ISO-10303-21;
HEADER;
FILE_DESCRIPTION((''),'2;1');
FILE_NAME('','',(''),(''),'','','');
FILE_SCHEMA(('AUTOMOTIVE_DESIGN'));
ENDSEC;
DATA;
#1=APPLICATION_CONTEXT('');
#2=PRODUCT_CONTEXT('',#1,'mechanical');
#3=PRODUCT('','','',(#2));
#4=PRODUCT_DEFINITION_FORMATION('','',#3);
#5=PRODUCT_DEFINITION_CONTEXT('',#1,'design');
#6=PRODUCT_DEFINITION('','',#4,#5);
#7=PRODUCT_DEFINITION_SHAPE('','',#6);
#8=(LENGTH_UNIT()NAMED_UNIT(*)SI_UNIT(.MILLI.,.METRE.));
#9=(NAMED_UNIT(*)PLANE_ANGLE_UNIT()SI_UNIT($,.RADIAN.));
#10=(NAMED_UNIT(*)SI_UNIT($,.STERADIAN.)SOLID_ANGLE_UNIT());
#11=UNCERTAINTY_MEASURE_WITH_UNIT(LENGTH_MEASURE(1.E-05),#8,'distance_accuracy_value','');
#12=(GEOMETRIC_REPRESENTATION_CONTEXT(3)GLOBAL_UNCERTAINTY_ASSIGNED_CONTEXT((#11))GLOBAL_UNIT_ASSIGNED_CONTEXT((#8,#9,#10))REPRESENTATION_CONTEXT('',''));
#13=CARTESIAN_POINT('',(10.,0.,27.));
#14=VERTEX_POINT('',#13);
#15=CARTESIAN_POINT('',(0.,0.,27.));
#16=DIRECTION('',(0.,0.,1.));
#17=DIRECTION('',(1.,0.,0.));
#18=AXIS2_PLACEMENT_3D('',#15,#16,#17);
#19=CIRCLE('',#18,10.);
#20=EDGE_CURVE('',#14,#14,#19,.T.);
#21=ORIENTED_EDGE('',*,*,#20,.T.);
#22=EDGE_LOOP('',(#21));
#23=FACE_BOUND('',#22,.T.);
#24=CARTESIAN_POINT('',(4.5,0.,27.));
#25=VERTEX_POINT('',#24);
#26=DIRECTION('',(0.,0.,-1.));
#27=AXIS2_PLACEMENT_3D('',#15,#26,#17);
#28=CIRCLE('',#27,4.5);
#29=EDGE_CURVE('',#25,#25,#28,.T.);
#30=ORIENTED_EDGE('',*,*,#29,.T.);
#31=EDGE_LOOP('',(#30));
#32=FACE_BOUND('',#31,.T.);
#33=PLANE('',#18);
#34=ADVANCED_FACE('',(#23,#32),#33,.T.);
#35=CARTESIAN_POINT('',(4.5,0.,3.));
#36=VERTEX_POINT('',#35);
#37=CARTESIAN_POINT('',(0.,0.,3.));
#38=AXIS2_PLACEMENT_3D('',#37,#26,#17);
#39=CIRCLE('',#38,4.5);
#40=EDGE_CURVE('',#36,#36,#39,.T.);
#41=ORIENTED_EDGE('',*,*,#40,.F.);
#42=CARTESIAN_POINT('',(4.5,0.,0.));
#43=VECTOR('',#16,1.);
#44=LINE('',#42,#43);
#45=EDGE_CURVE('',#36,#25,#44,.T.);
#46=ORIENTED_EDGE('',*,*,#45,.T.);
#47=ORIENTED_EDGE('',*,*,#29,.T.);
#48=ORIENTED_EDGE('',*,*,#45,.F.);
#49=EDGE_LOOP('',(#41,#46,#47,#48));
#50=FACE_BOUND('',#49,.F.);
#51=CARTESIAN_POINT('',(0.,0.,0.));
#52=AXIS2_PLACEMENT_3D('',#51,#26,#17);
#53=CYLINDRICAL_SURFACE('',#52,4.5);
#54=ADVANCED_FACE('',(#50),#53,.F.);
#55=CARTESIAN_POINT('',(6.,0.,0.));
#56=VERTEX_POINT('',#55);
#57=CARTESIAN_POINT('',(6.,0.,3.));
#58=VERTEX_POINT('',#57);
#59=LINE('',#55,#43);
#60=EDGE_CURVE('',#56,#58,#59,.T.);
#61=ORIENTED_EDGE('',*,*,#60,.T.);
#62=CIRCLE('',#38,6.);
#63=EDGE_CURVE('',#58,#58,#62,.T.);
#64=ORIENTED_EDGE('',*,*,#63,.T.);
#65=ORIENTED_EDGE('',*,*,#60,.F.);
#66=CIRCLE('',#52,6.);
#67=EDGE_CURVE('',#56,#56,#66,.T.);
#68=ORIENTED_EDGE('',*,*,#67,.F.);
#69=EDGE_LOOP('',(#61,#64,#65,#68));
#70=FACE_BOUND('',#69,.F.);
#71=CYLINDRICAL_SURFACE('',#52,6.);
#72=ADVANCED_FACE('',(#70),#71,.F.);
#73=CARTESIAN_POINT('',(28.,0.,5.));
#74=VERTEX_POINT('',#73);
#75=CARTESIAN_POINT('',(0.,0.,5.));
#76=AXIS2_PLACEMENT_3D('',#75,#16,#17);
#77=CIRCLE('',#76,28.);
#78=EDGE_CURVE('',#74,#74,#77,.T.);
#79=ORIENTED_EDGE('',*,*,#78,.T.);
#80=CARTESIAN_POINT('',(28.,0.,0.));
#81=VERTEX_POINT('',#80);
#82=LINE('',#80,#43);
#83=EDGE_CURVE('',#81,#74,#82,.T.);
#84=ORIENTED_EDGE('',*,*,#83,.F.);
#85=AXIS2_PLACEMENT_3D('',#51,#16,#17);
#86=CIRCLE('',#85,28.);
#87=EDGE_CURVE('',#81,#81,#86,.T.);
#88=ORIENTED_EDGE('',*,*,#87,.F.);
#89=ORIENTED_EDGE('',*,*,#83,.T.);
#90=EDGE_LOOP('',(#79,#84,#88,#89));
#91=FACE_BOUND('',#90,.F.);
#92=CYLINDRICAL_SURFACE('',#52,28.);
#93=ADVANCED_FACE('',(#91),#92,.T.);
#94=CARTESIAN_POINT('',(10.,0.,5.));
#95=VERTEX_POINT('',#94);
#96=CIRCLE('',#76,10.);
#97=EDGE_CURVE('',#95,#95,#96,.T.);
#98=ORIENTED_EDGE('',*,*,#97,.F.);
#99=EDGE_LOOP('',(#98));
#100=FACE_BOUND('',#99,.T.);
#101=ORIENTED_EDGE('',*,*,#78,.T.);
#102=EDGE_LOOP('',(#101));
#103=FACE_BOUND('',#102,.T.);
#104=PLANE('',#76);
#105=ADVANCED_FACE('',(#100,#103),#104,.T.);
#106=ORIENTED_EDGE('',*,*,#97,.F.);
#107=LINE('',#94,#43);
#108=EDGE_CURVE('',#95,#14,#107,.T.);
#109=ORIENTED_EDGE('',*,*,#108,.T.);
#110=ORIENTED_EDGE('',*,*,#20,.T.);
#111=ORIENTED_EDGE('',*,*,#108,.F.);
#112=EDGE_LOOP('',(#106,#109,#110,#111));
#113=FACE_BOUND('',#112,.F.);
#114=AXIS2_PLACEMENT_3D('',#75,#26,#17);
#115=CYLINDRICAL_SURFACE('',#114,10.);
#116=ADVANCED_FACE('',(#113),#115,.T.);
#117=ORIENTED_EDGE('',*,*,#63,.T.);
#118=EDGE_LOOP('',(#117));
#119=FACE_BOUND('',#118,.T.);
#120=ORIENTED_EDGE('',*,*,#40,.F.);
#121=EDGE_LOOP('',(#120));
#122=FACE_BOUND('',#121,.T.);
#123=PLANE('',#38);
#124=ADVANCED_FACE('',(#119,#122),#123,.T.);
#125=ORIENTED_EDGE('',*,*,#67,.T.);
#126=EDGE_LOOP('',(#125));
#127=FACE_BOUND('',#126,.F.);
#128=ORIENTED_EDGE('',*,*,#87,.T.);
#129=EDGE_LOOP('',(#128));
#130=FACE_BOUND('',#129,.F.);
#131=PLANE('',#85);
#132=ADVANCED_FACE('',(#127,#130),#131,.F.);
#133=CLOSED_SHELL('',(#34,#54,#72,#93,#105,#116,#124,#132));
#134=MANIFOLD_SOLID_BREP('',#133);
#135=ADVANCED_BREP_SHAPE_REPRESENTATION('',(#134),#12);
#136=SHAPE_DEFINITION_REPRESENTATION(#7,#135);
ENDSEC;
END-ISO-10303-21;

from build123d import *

# Parameters (mm, degrees)
F0_R     = 28
F1_DEPTH = 5
F2_R     = 10
F3_DEPTH = 22
F4_R     = 6
F5_DEPTH = 3
F6_R     = 4.5
F7_DEPTH = 27


with BuildPart() as f1:
    # F0 (on Top) → F1 (new body)
    with BuildSketch(Plane.XY):
        Circle(F0_R)
    extrude(amount=F1_DEPTH)

    # F2 (on face) → F3 (join)
    with BuildSketch(Plane.XY.offset(5)):
        Circle(F2_R)
    extrude(amount=F3_DEPTH)

    # F4 (on face) → F5 (cut)
    with BuildSketch(Plane(origin=(0, 0, 0), x_dir=(1, 0, 0), z_dir=(0, 0, -1))):
        Circle(F4_R)
    extrude(amount=-F5_DEPTH, mode=Mode.SUBTRACT)

    # F6 (on face) → F7 (cut)
    with BuildSketch(Plane(origin=(0, 0, 0), x_dir=(1, 0, 0), z_dir=(0, 0, -1))):
        Circle(F6_R)
    extrude(amount=-F7_DEPTH, mode=Mode.SUBTRACT)


solid = f1.part
